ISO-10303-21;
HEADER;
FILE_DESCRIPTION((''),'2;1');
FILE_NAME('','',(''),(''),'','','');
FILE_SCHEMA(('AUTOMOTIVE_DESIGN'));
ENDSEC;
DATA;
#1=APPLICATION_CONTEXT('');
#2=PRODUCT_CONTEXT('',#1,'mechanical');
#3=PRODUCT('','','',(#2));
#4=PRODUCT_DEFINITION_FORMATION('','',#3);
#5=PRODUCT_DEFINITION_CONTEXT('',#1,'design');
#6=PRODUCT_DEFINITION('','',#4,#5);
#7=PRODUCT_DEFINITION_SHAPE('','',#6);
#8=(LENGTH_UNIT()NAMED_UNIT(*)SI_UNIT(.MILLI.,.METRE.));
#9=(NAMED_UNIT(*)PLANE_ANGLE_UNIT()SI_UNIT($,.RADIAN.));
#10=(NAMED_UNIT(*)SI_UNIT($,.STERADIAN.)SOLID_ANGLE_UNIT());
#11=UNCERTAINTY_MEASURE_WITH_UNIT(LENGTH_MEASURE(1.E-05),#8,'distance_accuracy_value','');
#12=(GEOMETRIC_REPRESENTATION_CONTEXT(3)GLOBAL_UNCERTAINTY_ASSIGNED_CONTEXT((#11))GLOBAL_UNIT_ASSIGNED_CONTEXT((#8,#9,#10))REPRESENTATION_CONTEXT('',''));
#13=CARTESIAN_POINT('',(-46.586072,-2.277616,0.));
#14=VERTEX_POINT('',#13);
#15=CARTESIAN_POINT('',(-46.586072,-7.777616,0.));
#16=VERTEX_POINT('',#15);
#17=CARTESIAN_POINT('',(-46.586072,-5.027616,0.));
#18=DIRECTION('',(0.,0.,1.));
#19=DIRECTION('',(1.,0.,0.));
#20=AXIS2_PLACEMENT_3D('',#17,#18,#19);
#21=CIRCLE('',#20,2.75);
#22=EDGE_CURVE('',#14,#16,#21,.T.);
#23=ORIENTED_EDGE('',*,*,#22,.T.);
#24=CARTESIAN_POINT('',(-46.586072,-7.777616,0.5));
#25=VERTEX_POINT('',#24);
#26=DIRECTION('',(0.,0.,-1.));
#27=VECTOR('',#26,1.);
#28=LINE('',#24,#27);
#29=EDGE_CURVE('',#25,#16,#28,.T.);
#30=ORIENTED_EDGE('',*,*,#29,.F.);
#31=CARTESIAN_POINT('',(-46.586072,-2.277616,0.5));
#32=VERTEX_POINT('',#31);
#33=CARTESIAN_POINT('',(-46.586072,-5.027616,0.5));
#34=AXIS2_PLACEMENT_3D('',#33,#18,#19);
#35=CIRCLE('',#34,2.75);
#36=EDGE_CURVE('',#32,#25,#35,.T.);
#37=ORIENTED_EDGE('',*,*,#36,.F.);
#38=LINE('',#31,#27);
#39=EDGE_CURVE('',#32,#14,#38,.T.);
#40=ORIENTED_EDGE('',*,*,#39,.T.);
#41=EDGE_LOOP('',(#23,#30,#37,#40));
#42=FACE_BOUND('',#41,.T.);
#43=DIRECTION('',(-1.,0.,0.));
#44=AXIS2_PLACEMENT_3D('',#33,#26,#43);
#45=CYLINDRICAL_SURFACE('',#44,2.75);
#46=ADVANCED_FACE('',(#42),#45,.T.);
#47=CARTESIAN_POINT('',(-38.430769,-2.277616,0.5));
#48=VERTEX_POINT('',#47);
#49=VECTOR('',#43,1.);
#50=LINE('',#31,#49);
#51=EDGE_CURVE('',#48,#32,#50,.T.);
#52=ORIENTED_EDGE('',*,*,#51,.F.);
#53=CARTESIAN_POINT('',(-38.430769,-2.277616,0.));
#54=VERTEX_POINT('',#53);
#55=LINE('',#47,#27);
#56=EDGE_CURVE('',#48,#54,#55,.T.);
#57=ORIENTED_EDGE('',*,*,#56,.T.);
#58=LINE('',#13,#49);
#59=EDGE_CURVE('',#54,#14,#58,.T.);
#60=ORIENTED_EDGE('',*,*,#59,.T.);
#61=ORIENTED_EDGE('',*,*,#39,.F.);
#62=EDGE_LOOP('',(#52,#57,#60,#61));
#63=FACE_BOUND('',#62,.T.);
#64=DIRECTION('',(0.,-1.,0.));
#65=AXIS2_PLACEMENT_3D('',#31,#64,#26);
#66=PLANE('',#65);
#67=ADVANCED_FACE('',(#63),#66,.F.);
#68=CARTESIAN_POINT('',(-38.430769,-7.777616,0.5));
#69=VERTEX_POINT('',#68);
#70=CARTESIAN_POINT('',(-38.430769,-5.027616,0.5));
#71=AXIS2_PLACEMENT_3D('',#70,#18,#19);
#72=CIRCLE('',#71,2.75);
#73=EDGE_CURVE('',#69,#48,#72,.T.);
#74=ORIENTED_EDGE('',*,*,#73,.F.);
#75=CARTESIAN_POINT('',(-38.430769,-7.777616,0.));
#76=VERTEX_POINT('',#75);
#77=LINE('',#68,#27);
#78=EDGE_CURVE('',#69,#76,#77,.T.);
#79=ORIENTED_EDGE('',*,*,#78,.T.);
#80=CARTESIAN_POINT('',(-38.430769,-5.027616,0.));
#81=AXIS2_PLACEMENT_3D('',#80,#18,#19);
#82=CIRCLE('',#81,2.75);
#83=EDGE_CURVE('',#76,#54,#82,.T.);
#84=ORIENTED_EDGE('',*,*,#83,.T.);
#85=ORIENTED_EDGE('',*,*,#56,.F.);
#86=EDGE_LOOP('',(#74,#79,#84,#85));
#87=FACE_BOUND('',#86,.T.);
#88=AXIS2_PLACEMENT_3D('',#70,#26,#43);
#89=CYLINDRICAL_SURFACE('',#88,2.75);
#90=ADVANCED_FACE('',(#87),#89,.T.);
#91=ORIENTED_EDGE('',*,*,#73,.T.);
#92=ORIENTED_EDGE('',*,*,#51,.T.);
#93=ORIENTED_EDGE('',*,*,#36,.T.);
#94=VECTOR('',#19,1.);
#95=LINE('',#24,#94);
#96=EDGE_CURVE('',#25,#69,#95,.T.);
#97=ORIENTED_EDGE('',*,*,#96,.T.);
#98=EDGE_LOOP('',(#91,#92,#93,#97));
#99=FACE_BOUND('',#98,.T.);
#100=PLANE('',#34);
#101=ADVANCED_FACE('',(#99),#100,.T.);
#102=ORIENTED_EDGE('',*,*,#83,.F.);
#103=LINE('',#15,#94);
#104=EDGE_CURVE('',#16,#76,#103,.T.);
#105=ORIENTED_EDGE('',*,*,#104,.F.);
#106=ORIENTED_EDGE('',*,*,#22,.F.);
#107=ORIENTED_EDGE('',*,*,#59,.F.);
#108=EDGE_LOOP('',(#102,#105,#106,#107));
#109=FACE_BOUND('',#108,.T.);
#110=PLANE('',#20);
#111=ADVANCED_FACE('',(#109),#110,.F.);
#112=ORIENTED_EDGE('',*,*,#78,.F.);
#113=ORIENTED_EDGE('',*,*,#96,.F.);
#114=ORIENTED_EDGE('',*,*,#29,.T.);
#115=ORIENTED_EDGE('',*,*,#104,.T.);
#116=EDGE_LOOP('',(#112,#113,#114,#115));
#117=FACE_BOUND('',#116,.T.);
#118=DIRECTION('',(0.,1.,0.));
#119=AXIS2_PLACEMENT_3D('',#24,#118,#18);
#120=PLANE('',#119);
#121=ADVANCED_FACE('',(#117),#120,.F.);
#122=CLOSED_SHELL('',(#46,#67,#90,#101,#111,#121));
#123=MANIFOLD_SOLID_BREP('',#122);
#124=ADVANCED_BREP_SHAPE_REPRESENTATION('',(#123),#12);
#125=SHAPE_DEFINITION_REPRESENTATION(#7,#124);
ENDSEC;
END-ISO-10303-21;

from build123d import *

# Parameters (mm, degrees)
BOSS_EXTRUDE1_DEPTH = 0.5


with BuildPart() as part:
    # Sketch1 → Boss-Extrude1 (new body)
    with BuildSketch(Plane.XY):
        with BuildLine():
            Line((-46.586072137, -2.277616218), (-38.430768685, -2.277616218))
            ThreePointArc((-38.430768685, -2.277616218), (-35.680768685, -5.027616218), (-38.430768685, -7.777616218))
            Line((-38.430768685, -7.777616218), (-46.586072137, -7.777616218))
            ThreePointArc((-46.586072137, -7.777616218), (-49.336072137, -5.027616218), (-46.586072137, -2.277616218))
        make_face()
    extrude(amount=BOSS_EXTRUDE1_DEPTH)


solid = part.part
